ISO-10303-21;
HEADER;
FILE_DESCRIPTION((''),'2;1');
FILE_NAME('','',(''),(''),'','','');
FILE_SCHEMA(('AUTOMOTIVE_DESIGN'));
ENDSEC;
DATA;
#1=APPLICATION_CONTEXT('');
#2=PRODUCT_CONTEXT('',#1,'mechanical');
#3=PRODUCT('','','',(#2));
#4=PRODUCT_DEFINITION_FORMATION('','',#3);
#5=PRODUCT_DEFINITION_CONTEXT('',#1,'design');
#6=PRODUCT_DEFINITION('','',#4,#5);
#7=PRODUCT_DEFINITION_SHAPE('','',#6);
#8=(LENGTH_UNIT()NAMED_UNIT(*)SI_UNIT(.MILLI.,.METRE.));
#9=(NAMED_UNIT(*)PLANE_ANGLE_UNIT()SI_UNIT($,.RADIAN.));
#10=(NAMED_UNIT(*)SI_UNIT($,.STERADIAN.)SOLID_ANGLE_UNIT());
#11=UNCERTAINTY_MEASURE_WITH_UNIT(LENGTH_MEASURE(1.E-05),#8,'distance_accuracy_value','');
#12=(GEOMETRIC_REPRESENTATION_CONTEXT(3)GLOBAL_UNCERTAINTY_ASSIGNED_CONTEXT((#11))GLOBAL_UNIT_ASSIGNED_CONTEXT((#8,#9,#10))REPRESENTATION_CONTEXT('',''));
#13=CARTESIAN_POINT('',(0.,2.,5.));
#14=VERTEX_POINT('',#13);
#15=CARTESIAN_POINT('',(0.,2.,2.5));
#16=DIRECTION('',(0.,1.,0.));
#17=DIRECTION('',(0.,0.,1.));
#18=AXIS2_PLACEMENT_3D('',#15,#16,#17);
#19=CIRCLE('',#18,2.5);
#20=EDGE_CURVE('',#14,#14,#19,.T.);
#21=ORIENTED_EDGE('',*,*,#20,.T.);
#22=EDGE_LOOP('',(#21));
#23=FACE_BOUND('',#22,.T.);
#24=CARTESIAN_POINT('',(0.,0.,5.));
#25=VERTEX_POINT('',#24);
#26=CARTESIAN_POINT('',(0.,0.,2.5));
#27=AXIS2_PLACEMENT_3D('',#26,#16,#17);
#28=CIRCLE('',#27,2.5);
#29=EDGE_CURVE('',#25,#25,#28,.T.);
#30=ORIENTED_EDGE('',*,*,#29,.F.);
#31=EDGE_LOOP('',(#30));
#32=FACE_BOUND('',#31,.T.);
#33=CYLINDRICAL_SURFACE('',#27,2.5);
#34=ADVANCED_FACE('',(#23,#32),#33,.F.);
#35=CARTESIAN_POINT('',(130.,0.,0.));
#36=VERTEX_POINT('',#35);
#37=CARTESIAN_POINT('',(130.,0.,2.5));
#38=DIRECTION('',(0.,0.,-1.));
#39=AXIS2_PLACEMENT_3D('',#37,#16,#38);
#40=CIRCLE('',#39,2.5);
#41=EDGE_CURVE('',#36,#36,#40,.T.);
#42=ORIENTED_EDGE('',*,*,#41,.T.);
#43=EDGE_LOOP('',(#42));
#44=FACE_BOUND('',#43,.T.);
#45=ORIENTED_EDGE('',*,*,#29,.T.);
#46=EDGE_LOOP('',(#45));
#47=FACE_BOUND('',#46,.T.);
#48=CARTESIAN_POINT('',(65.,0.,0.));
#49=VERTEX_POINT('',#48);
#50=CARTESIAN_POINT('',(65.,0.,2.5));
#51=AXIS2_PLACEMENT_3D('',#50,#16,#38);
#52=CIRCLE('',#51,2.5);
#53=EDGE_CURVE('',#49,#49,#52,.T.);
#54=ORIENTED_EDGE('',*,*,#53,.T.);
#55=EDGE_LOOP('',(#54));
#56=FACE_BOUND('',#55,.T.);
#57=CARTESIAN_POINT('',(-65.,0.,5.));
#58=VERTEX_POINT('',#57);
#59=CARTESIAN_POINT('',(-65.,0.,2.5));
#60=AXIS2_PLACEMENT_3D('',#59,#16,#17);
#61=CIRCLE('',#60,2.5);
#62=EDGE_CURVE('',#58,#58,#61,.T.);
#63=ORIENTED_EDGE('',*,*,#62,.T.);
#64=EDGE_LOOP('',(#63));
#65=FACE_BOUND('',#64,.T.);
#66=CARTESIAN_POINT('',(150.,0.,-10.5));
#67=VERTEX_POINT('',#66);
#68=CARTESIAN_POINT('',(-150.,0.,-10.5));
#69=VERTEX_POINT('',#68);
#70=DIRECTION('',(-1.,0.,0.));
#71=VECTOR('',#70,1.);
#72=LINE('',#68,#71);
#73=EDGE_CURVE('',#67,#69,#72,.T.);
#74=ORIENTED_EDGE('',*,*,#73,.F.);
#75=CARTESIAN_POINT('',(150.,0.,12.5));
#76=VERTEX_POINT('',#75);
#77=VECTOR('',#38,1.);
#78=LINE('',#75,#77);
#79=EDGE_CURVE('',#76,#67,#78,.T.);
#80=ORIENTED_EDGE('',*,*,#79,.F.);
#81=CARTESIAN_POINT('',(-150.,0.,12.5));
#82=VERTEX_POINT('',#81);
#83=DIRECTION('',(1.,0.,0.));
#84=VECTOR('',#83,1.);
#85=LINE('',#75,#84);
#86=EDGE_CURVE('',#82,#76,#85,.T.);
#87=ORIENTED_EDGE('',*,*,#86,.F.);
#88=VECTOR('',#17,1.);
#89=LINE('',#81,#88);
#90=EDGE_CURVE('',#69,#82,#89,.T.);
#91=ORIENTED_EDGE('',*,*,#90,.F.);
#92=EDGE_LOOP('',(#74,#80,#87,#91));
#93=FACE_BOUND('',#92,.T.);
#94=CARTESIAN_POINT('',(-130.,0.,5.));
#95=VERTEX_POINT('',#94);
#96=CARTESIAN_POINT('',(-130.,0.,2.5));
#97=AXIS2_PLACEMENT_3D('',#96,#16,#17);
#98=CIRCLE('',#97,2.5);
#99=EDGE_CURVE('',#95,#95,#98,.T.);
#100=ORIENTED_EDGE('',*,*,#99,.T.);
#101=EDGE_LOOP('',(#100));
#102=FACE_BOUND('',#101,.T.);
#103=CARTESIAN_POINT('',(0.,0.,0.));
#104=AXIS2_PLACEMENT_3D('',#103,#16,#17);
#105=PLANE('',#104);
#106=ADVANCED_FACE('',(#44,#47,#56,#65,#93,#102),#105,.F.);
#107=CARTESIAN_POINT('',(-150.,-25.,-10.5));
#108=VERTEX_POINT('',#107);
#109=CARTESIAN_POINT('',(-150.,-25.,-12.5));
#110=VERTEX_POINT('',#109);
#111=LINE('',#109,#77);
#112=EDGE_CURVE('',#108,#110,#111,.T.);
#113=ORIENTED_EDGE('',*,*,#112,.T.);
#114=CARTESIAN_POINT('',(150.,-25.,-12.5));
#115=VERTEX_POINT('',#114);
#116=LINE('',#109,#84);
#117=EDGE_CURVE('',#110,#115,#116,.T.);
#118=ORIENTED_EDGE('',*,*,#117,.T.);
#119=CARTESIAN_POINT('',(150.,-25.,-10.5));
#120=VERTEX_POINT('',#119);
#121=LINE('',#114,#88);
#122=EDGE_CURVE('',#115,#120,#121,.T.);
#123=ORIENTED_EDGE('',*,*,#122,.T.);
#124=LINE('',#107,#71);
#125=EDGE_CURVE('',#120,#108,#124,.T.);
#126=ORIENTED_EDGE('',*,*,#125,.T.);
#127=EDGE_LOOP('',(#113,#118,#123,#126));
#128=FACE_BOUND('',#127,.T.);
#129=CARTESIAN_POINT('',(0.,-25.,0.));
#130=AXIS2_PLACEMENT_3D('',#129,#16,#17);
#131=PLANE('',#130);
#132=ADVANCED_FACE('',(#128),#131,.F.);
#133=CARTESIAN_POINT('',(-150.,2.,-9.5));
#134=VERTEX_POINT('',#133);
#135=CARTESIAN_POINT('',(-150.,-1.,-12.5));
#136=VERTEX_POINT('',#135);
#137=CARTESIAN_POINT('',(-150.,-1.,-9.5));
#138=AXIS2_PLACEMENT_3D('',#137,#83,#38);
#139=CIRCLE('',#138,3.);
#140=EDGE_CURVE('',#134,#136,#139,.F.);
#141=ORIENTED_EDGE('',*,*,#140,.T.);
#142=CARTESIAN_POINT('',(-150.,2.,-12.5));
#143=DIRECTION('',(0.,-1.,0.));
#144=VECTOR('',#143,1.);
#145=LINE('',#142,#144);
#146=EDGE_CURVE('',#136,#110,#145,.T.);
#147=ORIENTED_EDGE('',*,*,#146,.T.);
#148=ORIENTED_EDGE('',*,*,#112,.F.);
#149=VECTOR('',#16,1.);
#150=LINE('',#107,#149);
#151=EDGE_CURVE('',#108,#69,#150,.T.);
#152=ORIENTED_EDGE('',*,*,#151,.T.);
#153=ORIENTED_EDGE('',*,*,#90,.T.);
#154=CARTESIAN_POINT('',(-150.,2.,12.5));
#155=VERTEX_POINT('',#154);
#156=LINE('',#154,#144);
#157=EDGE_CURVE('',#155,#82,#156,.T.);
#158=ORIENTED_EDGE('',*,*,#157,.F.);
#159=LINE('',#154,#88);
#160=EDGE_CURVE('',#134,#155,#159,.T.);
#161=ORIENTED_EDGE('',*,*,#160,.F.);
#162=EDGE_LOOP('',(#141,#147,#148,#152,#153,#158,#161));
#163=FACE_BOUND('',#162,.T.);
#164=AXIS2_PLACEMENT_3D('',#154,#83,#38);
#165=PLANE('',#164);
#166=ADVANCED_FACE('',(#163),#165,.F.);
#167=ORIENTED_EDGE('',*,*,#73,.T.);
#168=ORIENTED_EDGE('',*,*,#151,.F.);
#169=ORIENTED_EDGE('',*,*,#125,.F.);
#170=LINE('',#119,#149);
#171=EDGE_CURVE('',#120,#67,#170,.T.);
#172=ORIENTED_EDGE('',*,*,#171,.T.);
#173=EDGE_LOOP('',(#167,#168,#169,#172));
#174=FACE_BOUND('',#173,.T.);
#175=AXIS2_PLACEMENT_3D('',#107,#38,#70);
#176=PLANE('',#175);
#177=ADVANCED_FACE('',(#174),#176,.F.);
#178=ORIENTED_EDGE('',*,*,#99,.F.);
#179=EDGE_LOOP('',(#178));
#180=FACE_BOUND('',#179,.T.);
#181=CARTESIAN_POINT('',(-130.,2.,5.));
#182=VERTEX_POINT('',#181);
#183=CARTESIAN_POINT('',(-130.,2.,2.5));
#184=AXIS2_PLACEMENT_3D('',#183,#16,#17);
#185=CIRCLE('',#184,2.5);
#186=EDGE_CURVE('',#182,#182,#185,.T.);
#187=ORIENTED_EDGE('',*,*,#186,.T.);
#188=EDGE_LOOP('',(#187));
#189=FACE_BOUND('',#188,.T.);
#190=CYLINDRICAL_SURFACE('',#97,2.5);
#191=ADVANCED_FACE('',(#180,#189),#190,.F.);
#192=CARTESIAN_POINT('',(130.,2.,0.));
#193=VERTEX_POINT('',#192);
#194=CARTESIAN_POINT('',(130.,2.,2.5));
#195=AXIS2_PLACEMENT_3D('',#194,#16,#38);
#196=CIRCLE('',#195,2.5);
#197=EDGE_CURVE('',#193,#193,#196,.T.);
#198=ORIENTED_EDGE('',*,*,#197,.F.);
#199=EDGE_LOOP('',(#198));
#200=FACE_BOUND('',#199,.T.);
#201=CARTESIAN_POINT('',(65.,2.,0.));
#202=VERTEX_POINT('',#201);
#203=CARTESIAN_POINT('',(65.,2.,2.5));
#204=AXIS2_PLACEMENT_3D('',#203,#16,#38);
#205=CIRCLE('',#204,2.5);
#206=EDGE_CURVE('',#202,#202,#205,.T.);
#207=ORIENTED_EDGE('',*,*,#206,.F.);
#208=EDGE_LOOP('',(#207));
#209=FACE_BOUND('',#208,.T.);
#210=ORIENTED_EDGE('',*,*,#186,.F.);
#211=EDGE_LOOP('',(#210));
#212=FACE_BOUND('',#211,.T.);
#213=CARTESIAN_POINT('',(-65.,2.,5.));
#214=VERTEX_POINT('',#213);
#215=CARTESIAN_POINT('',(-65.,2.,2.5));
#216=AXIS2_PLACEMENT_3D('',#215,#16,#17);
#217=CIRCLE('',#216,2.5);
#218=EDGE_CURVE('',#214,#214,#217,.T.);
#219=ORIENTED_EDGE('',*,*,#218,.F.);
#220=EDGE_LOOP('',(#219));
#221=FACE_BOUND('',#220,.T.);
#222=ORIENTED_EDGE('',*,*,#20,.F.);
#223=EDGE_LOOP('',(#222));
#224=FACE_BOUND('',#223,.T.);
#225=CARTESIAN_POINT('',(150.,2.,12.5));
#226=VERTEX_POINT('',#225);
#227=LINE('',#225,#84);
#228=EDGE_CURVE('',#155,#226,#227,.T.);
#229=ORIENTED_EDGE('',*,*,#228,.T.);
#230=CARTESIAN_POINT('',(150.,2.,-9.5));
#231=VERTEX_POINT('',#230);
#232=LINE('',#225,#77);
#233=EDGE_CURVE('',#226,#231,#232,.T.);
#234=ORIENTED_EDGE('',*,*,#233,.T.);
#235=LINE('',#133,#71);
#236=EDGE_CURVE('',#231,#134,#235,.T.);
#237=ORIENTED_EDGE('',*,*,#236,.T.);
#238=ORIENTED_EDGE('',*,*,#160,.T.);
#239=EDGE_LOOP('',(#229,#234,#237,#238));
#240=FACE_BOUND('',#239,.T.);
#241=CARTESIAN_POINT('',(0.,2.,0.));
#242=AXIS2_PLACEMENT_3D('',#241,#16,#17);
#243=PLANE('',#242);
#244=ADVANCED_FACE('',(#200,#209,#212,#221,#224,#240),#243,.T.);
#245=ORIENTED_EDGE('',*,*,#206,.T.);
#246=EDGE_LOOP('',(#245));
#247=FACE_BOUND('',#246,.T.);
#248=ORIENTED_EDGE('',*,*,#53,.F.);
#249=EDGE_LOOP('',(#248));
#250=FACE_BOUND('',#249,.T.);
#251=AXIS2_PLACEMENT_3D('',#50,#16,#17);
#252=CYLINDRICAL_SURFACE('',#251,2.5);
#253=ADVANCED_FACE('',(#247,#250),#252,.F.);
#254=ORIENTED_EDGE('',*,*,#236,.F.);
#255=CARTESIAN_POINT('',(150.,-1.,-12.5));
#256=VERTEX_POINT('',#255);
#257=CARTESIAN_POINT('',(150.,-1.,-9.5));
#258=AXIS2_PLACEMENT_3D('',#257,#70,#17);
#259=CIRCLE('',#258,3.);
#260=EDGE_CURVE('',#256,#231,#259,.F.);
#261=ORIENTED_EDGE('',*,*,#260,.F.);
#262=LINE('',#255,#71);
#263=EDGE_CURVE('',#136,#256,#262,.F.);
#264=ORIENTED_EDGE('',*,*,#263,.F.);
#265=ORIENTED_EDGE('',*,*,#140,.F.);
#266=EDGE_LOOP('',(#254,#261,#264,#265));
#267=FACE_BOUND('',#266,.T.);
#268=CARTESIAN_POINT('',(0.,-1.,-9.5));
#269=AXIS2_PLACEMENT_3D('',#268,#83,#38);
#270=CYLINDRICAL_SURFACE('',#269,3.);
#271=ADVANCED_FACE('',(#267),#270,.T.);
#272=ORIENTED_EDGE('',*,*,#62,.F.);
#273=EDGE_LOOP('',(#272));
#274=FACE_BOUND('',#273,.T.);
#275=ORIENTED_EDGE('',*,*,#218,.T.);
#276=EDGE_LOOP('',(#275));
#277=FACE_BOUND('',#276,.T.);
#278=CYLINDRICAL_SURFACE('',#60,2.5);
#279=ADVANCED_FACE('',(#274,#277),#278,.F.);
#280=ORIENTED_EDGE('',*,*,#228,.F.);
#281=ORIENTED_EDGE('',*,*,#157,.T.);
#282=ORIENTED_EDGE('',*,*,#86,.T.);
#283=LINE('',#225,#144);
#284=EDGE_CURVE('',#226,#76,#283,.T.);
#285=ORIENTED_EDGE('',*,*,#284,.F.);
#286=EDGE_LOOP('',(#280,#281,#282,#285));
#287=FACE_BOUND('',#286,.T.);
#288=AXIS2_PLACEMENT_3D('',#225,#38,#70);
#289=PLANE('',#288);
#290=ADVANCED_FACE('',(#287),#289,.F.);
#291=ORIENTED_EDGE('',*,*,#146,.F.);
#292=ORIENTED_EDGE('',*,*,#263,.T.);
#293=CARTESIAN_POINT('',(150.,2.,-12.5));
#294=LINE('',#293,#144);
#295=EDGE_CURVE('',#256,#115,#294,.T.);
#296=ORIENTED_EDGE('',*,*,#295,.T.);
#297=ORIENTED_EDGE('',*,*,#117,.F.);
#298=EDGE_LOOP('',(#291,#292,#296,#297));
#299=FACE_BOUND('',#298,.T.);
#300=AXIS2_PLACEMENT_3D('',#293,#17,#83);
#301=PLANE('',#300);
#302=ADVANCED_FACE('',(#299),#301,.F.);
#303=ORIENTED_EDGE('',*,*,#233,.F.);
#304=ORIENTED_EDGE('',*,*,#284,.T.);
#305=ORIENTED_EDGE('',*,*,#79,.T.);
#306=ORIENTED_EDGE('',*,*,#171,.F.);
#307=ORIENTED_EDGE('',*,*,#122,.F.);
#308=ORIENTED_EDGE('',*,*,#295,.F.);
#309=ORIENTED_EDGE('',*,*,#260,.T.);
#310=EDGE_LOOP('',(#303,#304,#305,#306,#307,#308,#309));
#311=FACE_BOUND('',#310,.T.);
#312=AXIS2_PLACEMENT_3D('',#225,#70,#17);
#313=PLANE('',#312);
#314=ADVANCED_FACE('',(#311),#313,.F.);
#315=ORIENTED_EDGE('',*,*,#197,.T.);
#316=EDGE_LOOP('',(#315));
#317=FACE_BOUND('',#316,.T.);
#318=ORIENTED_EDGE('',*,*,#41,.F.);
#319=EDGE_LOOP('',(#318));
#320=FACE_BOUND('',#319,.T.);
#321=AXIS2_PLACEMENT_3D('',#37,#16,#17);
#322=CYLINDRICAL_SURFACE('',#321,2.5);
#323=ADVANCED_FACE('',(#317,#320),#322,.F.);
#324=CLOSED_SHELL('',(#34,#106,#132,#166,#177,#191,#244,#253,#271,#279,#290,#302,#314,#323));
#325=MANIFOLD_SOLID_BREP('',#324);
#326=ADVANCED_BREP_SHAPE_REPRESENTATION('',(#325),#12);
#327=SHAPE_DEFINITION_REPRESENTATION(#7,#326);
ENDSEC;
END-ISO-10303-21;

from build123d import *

# Parameters (mm, degrees)
ESBO_O1_W                = 300
ESBO_O1_H                = 25
RESSALTO_EXTRUS_O1_DEPTH = 2
ESBO_O2_R                = 2.5
CORTE_EXTRUS_O1_DEPTH    = 3
ESBO_O3_W                = 300
ESBO_O3_H                = 2
RESSALTO_EXTRUS_O2_DEPTH = 25
FILETE1_R                = 3


with BuildPart() as part:
    # Esboço1 → Ressalto-extrusão1 (new body)
    with BuildSketch(Plane(origin=(0, 0, 0), x_dir=(1, 0, 0), z_dir=(0, 1, 0))):
        Rectangle(ESBO_O1_W, ESBO_O1_H)
    extrude(amount=RESSALTO_EXTRUS_O1_DEPTH)

    # Esboço2 → Corte-extrusão1 (cut, through all)
    with BuildSketch(Plane(origin=(0, 2, 0), x_dir=(1, 0, 0), z_dir=(0, 1, 0))):
        with Locations((-130, -2.5)):
            Circle(ESBO_O2_R)
        with Locations((-65, -2.5)):
            Circle(ESBO_O2_R)
        with Locations((0, -2.5)):
            Circle(ESBO_O2_R)
        with Locations((65, -2.5)):
            Circle(ESBO_O2_R)
        with Locations((130, -2.5)):
            Circle(ESBO_O2_R)
    extrude(amount=-CORTE_EXTRUS_O1_DEPTH, mode=Mode.SUBTRACT)

    # Esboço3 → Ressalto-extrusão2 (add)
    with BuildSketch(Plane.XZ):
        with Locations((0, -11.5)):
            Rectangle(ESBO_O3_W, ESBO_O3_H)
    extrude(amount=RESSALTO_EXTRUS_O2_DEPTH)

    # Filete1
    filete1_edges = [part.edges().sort_by_distance(p)[0] for p in [
        (0, 2, -12.5),
    ]]
    fillet(filete1_edges, radius=FILETE1_R)


solid = part.part
